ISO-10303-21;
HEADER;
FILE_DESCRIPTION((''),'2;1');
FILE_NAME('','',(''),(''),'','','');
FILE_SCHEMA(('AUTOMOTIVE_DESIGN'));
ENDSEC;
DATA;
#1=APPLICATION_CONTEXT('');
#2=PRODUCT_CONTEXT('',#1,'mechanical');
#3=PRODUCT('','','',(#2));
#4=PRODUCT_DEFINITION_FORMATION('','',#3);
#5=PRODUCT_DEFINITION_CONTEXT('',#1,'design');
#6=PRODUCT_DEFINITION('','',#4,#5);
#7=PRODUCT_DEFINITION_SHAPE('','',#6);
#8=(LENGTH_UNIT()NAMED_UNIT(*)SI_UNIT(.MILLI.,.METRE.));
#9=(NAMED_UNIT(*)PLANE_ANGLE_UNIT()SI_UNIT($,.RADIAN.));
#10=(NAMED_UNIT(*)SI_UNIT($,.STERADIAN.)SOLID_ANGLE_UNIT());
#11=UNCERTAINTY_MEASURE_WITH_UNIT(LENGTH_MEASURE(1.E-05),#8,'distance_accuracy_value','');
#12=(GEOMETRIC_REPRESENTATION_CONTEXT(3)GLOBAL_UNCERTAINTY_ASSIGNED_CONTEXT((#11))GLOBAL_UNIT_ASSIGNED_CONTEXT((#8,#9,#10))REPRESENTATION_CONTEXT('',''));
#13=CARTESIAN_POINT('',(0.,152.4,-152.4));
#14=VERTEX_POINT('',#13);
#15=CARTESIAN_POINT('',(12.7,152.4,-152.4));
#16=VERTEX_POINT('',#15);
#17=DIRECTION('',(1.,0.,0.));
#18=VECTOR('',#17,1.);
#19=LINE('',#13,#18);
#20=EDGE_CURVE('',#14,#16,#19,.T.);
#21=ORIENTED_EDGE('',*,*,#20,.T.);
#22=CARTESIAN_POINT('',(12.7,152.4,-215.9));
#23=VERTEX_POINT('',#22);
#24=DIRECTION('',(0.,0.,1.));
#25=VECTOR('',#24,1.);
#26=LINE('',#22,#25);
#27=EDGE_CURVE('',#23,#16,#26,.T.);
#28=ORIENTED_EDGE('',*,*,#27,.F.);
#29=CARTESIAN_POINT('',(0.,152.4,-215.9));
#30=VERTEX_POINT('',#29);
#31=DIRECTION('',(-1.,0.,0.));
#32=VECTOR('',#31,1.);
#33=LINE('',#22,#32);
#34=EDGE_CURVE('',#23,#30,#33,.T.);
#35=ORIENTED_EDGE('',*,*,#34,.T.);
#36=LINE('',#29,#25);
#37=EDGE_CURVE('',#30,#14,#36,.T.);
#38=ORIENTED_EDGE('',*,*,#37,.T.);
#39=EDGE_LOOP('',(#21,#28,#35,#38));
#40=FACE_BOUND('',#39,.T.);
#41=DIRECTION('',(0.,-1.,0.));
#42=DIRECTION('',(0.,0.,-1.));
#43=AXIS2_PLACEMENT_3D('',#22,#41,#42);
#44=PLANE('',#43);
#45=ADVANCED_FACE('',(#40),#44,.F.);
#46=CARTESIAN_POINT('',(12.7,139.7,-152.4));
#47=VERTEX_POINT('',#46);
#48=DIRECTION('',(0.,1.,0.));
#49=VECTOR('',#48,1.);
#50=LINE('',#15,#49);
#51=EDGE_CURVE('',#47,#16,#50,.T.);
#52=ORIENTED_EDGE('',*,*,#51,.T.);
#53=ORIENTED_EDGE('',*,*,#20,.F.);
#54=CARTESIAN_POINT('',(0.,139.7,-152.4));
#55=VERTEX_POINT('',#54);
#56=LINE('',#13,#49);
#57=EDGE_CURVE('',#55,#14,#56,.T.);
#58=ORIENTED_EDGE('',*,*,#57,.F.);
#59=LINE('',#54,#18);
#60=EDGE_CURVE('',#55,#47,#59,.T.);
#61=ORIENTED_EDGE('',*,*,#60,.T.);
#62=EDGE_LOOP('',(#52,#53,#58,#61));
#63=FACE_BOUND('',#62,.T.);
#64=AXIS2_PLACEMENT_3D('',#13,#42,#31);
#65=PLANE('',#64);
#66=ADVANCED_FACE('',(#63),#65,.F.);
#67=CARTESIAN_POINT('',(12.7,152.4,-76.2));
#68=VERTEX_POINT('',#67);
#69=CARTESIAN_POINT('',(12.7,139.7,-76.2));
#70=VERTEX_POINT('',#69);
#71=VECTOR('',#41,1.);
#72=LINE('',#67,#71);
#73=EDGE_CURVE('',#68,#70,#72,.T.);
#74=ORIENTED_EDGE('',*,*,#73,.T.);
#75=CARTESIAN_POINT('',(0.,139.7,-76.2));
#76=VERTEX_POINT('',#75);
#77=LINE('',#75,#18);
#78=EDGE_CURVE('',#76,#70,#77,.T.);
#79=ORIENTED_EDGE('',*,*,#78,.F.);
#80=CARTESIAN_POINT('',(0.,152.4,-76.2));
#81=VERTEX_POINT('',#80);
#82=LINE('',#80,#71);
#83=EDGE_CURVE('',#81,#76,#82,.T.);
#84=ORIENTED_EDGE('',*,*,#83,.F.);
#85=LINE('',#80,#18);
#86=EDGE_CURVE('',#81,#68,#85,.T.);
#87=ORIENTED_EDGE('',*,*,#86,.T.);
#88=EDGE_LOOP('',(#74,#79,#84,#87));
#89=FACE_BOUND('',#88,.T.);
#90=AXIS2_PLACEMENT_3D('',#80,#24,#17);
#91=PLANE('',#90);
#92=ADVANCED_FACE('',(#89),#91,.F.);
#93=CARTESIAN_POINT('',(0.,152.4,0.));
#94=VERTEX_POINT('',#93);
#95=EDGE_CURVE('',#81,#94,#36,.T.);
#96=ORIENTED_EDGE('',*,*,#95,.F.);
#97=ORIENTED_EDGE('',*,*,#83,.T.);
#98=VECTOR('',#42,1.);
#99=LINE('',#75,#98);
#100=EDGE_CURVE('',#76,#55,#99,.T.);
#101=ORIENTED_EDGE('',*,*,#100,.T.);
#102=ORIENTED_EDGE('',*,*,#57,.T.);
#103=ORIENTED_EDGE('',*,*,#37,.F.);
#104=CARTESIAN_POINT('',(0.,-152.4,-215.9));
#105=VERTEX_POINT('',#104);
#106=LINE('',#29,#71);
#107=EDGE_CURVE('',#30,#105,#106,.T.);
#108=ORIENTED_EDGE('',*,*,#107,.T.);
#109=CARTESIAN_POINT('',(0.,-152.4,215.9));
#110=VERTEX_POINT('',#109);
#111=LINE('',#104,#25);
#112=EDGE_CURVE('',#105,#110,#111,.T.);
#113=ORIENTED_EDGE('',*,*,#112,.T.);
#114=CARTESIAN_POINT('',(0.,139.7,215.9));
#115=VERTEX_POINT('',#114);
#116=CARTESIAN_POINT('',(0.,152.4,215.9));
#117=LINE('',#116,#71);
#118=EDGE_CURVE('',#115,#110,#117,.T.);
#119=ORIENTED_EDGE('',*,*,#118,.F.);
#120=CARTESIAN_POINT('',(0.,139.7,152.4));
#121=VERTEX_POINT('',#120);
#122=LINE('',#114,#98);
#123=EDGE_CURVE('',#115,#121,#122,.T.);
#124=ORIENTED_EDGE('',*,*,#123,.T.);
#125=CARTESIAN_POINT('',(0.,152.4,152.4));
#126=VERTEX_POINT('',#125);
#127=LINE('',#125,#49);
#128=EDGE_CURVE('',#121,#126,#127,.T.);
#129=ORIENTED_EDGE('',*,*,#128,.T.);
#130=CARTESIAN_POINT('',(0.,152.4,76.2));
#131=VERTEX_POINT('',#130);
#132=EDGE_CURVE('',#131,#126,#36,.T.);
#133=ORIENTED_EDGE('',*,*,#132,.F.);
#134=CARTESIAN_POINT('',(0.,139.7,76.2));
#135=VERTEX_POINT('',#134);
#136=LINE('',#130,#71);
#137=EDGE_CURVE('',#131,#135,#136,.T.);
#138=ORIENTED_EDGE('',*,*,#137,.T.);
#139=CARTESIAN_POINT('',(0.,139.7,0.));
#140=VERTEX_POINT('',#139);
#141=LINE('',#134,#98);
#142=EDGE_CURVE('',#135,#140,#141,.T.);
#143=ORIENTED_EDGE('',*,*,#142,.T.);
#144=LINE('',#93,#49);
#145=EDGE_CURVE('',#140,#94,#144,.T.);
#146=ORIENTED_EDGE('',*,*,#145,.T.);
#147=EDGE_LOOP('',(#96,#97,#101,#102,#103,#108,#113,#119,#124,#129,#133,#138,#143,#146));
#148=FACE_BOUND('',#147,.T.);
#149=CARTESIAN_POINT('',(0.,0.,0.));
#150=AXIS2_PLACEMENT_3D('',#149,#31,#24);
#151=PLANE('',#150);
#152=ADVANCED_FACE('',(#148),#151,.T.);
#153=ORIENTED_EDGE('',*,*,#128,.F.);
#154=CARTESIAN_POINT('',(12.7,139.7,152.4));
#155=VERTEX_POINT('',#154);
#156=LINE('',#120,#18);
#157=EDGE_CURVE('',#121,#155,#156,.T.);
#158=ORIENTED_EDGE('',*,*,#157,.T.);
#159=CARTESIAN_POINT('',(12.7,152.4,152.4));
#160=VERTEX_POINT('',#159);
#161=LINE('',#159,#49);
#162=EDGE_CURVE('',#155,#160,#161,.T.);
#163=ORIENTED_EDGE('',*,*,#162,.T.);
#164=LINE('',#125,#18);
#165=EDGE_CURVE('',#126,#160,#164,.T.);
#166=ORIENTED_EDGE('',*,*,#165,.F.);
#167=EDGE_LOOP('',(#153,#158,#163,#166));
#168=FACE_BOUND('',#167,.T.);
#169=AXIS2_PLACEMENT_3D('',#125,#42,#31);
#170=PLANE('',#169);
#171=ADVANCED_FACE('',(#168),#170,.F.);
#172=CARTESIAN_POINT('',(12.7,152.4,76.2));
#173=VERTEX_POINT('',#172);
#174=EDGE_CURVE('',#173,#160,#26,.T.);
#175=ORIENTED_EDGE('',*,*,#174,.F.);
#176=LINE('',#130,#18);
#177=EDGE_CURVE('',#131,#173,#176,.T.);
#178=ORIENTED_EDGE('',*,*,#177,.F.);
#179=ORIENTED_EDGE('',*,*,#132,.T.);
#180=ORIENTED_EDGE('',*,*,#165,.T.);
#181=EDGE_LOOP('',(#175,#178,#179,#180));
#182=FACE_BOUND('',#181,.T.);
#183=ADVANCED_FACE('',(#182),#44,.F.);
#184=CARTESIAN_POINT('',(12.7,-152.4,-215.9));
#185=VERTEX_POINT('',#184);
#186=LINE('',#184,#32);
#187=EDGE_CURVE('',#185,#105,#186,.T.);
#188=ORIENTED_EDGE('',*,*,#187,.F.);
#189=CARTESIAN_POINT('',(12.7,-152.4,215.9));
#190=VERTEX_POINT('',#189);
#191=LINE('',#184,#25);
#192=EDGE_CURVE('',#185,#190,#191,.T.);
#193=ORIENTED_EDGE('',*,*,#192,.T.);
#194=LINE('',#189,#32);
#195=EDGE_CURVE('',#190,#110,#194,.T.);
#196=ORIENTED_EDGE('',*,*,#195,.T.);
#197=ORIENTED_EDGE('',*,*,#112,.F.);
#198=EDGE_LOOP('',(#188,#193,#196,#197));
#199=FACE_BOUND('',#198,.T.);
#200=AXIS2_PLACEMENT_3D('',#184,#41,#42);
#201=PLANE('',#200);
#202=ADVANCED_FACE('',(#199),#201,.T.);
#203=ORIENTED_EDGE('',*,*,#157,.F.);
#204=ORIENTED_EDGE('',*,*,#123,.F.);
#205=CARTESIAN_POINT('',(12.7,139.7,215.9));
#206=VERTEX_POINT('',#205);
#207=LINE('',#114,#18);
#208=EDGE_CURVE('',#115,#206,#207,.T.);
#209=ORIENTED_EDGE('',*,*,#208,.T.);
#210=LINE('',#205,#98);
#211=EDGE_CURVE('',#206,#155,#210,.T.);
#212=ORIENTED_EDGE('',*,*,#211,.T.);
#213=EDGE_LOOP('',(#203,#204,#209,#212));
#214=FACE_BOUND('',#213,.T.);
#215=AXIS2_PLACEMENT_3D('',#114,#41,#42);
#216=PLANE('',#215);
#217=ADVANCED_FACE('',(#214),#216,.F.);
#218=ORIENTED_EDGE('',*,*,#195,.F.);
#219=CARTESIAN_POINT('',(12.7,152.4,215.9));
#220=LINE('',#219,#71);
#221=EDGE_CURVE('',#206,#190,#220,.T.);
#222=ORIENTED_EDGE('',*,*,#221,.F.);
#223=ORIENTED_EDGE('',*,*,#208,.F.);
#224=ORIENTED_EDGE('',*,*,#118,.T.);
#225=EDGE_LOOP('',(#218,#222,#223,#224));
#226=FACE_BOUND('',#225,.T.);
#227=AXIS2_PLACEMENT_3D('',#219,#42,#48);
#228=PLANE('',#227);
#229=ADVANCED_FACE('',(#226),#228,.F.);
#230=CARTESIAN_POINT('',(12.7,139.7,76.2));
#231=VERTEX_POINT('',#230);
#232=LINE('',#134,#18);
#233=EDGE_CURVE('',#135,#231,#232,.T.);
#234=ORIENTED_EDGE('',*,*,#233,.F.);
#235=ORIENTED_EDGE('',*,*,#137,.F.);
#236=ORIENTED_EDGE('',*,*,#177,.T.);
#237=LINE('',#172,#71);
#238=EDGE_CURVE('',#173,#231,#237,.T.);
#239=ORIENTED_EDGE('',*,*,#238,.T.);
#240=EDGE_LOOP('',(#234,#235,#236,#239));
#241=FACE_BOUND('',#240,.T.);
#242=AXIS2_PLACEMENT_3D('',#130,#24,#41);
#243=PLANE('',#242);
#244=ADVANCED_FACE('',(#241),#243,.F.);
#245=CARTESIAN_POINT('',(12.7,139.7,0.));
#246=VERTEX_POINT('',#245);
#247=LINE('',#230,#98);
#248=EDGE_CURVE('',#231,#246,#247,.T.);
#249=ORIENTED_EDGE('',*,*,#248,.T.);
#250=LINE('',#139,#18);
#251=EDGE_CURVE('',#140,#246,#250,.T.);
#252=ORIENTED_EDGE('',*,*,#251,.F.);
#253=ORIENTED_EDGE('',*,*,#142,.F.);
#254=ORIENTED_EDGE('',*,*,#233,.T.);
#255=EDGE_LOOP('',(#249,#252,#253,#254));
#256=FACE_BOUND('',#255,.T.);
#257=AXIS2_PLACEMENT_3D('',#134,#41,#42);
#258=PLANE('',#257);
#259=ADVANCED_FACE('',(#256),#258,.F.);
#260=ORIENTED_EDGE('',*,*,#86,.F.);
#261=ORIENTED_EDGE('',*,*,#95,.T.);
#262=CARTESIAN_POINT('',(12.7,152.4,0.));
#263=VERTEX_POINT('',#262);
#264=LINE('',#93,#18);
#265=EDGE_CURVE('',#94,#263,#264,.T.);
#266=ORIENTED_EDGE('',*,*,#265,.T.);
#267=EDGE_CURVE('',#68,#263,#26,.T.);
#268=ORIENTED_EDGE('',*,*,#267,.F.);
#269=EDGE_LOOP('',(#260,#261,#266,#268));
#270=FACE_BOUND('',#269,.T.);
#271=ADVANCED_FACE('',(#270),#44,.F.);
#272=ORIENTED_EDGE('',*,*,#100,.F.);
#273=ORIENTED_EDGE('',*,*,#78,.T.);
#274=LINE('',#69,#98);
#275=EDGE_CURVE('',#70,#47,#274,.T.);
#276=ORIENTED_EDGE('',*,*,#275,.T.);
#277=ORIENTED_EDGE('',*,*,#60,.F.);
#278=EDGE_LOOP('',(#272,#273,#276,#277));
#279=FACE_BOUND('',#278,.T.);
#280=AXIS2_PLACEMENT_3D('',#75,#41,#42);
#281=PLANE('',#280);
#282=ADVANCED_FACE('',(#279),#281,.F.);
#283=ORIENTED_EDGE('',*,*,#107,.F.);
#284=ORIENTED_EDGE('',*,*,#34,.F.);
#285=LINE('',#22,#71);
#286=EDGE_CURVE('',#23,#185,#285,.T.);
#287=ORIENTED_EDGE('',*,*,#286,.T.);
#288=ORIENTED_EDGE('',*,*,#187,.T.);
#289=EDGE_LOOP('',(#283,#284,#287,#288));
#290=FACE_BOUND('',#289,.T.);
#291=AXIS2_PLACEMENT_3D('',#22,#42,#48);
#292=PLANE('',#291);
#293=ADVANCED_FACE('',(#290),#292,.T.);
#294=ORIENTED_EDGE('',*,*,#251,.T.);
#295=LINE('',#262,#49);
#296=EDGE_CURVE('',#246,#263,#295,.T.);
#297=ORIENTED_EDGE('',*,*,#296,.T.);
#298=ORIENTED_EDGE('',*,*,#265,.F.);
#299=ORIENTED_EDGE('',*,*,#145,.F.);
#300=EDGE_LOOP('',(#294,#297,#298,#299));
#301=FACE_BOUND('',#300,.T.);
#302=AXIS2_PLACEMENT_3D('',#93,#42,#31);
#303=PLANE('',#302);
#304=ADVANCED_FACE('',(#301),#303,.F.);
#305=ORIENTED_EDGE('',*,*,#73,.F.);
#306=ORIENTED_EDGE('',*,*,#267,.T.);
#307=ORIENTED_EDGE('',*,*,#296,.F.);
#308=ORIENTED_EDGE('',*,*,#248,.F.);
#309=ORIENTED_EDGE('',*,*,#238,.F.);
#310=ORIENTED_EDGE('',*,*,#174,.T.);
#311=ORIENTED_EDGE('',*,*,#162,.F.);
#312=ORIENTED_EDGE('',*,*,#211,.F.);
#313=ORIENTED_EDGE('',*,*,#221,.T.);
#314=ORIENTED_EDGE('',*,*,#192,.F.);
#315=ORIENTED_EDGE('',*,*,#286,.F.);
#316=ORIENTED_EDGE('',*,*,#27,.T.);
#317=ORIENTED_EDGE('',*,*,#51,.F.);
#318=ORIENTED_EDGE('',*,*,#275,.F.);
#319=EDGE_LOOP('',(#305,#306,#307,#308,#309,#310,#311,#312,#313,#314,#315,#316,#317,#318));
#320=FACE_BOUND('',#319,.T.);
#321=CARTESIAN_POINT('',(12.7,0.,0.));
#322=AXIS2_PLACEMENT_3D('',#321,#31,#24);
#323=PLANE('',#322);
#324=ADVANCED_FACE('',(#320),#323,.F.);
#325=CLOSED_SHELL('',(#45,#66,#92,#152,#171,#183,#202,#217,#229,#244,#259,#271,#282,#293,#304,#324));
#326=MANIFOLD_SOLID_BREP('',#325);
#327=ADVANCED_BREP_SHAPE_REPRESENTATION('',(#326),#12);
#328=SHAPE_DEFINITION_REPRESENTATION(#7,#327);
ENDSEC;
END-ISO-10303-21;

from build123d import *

# Parameters (mm, degrees)
SKETCH1_W           = 431.8
SKETCH1_H           = 304.8
BOSS_EXTRUDE1_DEPTH = 12.7
SKETCH2_W           = 63.5
SKETCH2_H           = 12.7
SKETCH2_W_2         = 76.2
CUT_EXTRUDE1_DEPTH  = 265.574866531


with BuildPart() as part:
    # Sketch1 → Boss-Extrude1 (new body)
    with BuildSketch(Plane(origin=(0, 0, 0), x_dir=(0, 0, -1), z_dir=(1, 0, 0))):
        Rectangle(SKETCH1_W, SKETCH1_H)
    extrude(amount=BOSS_EXTRUDE1_DEPTH)

    # Sketch2 → Cut-Extrude1 (cut, through all)
    with BuildSketch(Plane(origin=(12.7, 0, 0), x_dir=(0, 0, -1), z_dir=(1, 0, 0))):
        with Locations((-184.15, 146.05)):
            Rectangle(SKETCH2_W, SKETCH2_H)
        with Locations((-38.1, 146.05)):
            Rectangle(SKETCH2_W_2, SKETCH2_H)
        with Locations((114.3, 146.05)):
            Rectangle(SKETCH2_W_2, SKETCH2_H)
    extrude(amount=-CUT_EXTRUDE1_DEPTH, mode=Mode.SUBTRACT)


solid = part.part
